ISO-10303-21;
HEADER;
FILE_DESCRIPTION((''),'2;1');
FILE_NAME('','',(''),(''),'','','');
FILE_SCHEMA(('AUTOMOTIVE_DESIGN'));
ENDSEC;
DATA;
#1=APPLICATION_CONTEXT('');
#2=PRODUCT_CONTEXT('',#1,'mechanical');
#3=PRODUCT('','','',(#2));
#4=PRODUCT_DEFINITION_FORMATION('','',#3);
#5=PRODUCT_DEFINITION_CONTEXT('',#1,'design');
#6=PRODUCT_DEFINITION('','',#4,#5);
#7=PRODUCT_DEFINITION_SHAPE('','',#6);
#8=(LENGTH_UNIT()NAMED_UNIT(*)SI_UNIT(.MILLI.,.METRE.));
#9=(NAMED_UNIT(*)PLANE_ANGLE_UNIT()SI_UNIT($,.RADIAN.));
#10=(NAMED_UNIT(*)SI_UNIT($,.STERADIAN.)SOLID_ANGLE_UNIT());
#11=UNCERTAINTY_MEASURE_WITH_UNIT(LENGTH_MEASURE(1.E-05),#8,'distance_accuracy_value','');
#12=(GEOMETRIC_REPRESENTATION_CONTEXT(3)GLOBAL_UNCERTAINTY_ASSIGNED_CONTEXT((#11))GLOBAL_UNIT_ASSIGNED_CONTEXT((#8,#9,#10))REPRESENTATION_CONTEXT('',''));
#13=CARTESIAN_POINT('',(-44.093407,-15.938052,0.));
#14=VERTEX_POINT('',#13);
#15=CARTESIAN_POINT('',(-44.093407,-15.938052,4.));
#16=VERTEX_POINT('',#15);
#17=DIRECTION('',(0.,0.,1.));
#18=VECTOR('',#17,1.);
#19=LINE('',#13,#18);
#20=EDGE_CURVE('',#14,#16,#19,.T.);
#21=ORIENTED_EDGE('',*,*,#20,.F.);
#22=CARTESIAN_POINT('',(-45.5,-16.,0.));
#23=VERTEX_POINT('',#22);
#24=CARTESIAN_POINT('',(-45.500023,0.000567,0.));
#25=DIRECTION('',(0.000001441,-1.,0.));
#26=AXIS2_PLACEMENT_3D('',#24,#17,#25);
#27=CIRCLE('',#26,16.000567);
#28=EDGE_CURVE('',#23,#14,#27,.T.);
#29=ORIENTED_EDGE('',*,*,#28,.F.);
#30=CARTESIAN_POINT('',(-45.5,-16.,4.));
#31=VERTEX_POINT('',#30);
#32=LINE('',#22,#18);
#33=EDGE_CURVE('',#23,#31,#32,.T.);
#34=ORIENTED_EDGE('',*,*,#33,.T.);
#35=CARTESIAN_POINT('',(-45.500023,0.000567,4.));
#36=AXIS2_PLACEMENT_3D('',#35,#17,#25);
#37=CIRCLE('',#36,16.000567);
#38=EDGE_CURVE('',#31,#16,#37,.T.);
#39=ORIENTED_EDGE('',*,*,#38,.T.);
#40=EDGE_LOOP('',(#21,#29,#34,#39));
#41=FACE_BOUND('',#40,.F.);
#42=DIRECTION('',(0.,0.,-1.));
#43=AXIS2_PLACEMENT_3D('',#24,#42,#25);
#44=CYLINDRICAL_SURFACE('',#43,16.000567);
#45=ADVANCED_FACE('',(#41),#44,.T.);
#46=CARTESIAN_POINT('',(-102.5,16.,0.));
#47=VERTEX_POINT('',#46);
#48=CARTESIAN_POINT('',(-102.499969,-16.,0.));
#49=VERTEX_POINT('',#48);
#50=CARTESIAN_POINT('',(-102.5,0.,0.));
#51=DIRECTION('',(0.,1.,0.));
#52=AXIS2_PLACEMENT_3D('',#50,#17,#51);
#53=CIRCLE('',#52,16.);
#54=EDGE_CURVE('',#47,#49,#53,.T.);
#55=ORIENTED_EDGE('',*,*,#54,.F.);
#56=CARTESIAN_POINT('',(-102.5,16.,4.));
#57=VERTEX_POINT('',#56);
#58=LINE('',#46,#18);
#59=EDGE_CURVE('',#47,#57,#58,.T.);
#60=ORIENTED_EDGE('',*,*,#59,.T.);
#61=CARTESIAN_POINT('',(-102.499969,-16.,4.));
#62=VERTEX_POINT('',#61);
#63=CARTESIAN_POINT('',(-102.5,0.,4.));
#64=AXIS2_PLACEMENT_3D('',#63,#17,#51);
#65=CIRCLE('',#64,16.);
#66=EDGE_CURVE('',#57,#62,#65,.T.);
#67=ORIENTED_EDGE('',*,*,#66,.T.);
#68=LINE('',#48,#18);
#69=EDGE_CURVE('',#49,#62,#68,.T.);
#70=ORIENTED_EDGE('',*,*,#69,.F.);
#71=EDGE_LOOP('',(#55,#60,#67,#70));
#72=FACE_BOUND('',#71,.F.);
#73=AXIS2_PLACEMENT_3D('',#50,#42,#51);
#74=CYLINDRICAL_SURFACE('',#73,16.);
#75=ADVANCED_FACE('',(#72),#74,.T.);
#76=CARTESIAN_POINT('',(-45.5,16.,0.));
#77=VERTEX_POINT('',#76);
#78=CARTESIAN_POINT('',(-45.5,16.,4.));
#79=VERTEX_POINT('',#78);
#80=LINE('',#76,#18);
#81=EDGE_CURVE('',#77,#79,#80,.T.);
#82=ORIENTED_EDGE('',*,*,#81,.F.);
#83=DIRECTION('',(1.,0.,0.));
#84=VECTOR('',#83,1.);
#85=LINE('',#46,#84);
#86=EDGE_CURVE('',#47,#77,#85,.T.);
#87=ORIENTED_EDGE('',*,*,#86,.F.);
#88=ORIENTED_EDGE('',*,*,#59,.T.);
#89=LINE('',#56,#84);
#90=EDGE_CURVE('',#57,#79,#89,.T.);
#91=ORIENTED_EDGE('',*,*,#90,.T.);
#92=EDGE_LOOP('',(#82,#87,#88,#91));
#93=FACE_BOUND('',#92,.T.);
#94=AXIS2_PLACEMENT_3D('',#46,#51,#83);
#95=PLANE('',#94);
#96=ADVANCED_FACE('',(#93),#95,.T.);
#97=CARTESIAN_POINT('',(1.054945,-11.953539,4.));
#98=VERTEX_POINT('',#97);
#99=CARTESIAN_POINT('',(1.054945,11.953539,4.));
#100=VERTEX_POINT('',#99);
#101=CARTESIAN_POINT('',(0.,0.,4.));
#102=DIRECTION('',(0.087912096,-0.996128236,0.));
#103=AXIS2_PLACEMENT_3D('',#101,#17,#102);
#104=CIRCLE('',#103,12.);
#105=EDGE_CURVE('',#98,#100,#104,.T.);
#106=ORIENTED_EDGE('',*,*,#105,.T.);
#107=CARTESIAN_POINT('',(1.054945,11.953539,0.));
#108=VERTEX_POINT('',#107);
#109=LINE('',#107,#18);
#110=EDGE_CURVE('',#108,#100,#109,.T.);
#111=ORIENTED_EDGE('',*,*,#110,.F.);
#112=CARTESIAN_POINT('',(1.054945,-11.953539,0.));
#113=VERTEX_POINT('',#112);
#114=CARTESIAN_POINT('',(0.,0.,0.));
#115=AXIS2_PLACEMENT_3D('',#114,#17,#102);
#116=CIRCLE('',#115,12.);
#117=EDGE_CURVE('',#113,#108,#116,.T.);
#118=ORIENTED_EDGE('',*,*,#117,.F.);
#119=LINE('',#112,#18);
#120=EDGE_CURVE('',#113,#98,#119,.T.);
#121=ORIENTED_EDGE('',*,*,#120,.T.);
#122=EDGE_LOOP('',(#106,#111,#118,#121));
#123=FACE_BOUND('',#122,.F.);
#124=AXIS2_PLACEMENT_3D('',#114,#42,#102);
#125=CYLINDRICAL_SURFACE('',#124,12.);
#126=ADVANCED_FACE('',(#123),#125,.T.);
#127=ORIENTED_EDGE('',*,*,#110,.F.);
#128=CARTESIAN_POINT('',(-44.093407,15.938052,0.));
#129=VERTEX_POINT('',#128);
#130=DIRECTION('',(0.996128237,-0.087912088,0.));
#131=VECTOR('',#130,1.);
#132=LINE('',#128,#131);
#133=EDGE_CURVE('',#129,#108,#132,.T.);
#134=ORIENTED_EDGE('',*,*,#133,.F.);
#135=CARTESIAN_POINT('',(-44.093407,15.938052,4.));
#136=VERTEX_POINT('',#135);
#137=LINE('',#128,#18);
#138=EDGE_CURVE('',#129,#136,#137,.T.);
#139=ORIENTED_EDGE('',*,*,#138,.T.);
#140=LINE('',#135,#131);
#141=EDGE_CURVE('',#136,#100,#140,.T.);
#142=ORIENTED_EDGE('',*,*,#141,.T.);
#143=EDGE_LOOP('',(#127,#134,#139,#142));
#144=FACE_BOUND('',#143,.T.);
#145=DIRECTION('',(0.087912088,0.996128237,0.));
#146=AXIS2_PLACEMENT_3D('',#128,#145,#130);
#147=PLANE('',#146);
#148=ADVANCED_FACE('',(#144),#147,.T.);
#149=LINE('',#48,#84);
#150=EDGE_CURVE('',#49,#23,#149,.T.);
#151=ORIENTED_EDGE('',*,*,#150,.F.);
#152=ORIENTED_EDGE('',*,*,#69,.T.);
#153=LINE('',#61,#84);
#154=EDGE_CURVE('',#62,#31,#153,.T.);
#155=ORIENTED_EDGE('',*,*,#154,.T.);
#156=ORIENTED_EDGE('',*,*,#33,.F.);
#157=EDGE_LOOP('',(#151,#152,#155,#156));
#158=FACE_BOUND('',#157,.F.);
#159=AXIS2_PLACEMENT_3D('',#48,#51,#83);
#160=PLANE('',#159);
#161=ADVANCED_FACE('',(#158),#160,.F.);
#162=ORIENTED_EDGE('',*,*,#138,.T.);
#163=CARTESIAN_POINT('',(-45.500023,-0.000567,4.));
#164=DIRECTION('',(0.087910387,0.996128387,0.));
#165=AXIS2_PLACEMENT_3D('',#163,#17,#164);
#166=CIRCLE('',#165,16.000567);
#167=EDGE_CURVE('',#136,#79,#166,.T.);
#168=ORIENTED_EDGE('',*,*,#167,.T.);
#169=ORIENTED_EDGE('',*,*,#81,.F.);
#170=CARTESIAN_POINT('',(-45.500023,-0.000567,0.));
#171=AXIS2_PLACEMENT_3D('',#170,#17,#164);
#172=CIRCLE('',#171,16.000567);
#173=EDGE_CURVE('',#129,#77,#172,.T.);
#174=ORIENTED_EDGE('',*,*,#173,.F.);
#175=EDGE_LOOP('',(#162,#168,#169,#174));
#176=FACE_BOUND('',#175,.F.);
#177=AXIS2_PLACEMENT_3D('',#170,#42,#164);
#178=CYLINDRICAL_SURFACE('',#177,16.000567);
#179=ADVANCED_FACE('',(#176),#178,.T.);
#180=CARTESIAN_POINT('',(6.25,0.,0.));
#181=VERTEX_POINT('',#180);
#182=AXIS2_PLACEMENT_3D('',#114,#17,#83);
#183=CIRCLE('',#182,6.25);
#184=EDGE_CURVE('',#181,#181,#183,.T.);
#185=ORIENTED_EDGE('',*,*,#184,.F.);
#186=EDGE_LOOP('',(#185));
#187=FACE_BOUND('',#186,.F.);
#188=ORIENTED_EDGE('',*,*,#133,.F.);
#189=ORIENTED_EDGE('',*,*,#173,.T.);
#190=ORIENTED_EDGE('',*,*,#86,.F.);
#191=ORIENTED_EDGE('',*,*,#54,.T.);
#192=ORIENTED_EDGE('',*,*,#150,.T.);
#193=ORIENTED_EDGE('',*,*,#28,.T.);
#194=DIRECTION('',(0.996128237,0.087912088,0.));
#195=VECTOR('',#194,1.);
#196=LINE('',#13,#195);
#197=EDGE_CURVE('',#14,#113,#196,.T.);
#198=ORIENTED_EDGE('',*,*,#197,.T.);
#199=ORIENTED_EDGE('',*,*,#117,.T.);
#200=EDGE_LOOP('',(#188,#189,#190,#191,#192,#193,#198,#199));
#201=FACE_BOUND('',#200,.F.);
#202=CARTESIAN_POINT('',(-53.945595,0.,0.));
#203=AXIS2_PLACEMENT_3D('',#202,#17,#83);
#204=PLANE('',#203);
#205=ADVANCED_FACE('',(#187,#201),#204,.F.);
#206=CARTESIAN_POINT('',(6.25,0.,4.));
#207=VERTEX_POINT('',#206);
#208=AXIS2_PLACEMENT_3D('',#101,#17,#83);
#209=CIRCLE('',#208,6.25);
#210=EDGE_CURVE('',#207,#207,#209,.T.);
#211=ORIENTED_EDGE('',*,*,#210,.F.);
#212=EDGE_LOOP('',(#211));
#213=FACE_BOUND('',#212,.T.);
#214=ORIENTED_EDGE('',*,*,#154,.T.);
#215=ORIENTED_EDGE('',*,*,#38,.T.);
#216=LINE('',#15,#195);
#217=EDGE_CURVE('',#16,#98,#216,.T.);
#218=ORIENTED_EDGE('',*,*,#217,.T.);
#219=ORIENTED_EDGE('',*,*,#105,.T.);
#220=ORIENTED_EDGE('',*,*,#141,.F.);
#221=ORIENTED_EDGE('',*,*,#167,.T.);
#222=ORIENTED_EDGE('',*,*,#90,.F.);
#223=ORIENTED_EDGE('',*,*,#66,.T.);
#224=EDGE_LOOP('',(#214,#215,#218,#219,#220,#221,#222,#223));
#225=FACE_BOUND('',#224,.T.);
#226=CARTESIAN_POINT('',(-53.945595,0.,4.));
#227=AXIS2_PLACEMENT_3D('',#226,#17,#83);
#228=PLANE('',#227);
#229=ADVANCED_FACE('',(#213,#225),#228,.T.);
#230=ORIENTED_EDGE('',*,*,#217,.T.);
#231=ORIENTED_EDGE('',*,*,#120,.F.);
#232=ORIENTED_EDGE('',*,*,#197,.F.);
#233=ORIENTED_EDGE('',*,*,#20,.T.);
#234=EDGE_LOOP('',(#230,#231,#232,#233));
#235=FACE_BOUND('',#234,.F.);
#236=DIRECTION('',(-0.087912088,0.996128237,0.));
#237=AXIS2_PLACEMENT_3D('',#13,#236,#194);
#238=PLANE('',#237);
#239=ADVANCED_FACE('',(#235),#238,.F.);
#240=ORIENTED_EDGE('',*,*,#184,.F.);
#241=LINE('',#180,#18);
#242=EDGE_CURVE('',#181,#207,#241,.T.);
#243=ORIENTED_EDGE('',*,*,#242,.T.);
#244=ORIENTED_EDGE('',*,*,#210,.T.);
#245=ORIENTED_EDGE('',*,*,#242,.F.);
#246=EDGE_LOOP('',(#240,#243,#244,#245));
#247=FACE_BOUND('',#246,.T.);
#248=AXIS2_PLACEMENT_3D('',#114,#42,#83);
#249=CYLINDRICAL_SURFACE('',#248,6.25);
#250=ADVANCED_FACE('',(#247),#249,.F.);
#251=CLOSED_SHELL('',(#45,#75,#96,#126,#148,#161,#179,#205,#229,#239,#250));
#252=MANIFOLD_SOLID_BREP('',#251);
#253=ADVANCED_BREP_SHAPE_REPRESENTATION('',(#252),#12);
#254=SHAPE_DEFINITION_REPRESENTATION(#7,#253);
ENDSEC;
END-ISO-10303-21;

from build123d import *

# Parameters (mm, degrees)
SKETCH_R  = 6.25
PAD_DEPTH = 4


with BuildPart() as part:
    # Sketch → Pad (new body)
    with BuildSketch(Plane.XY):
        with BuildLine():
            ThreePointArc((1.054945, -11.953539), (12, 0), (1.054945, 11.953539))
            Line((-44.093407, 15.938052), (1.054945, 11.953539))
            ThreePointArc((-44.093407, 15.938052), (-44.796022, 15.984505), (-45.5, 16))
            Line((-102.5, 16), (-45.5, 16))
            ThreePointArc((-102.5, 16), (-118.5, -1.6e-05), (-102.499969, -16))
            Line((-102.499969, -16), (-45.5, -16))
            ThreePointArc((-45.5, -16), (-44.796022, -15.984505), (-44.093407, -15.938052))
            Line((-44.093407, -15.938052), (1.054945, -11.953539))
        make_face()
        Circle(SKETCH_R, mode=Mode.SUBTRACT)
    extrude(amount=PAD_DEPTH)


solid = part.part
